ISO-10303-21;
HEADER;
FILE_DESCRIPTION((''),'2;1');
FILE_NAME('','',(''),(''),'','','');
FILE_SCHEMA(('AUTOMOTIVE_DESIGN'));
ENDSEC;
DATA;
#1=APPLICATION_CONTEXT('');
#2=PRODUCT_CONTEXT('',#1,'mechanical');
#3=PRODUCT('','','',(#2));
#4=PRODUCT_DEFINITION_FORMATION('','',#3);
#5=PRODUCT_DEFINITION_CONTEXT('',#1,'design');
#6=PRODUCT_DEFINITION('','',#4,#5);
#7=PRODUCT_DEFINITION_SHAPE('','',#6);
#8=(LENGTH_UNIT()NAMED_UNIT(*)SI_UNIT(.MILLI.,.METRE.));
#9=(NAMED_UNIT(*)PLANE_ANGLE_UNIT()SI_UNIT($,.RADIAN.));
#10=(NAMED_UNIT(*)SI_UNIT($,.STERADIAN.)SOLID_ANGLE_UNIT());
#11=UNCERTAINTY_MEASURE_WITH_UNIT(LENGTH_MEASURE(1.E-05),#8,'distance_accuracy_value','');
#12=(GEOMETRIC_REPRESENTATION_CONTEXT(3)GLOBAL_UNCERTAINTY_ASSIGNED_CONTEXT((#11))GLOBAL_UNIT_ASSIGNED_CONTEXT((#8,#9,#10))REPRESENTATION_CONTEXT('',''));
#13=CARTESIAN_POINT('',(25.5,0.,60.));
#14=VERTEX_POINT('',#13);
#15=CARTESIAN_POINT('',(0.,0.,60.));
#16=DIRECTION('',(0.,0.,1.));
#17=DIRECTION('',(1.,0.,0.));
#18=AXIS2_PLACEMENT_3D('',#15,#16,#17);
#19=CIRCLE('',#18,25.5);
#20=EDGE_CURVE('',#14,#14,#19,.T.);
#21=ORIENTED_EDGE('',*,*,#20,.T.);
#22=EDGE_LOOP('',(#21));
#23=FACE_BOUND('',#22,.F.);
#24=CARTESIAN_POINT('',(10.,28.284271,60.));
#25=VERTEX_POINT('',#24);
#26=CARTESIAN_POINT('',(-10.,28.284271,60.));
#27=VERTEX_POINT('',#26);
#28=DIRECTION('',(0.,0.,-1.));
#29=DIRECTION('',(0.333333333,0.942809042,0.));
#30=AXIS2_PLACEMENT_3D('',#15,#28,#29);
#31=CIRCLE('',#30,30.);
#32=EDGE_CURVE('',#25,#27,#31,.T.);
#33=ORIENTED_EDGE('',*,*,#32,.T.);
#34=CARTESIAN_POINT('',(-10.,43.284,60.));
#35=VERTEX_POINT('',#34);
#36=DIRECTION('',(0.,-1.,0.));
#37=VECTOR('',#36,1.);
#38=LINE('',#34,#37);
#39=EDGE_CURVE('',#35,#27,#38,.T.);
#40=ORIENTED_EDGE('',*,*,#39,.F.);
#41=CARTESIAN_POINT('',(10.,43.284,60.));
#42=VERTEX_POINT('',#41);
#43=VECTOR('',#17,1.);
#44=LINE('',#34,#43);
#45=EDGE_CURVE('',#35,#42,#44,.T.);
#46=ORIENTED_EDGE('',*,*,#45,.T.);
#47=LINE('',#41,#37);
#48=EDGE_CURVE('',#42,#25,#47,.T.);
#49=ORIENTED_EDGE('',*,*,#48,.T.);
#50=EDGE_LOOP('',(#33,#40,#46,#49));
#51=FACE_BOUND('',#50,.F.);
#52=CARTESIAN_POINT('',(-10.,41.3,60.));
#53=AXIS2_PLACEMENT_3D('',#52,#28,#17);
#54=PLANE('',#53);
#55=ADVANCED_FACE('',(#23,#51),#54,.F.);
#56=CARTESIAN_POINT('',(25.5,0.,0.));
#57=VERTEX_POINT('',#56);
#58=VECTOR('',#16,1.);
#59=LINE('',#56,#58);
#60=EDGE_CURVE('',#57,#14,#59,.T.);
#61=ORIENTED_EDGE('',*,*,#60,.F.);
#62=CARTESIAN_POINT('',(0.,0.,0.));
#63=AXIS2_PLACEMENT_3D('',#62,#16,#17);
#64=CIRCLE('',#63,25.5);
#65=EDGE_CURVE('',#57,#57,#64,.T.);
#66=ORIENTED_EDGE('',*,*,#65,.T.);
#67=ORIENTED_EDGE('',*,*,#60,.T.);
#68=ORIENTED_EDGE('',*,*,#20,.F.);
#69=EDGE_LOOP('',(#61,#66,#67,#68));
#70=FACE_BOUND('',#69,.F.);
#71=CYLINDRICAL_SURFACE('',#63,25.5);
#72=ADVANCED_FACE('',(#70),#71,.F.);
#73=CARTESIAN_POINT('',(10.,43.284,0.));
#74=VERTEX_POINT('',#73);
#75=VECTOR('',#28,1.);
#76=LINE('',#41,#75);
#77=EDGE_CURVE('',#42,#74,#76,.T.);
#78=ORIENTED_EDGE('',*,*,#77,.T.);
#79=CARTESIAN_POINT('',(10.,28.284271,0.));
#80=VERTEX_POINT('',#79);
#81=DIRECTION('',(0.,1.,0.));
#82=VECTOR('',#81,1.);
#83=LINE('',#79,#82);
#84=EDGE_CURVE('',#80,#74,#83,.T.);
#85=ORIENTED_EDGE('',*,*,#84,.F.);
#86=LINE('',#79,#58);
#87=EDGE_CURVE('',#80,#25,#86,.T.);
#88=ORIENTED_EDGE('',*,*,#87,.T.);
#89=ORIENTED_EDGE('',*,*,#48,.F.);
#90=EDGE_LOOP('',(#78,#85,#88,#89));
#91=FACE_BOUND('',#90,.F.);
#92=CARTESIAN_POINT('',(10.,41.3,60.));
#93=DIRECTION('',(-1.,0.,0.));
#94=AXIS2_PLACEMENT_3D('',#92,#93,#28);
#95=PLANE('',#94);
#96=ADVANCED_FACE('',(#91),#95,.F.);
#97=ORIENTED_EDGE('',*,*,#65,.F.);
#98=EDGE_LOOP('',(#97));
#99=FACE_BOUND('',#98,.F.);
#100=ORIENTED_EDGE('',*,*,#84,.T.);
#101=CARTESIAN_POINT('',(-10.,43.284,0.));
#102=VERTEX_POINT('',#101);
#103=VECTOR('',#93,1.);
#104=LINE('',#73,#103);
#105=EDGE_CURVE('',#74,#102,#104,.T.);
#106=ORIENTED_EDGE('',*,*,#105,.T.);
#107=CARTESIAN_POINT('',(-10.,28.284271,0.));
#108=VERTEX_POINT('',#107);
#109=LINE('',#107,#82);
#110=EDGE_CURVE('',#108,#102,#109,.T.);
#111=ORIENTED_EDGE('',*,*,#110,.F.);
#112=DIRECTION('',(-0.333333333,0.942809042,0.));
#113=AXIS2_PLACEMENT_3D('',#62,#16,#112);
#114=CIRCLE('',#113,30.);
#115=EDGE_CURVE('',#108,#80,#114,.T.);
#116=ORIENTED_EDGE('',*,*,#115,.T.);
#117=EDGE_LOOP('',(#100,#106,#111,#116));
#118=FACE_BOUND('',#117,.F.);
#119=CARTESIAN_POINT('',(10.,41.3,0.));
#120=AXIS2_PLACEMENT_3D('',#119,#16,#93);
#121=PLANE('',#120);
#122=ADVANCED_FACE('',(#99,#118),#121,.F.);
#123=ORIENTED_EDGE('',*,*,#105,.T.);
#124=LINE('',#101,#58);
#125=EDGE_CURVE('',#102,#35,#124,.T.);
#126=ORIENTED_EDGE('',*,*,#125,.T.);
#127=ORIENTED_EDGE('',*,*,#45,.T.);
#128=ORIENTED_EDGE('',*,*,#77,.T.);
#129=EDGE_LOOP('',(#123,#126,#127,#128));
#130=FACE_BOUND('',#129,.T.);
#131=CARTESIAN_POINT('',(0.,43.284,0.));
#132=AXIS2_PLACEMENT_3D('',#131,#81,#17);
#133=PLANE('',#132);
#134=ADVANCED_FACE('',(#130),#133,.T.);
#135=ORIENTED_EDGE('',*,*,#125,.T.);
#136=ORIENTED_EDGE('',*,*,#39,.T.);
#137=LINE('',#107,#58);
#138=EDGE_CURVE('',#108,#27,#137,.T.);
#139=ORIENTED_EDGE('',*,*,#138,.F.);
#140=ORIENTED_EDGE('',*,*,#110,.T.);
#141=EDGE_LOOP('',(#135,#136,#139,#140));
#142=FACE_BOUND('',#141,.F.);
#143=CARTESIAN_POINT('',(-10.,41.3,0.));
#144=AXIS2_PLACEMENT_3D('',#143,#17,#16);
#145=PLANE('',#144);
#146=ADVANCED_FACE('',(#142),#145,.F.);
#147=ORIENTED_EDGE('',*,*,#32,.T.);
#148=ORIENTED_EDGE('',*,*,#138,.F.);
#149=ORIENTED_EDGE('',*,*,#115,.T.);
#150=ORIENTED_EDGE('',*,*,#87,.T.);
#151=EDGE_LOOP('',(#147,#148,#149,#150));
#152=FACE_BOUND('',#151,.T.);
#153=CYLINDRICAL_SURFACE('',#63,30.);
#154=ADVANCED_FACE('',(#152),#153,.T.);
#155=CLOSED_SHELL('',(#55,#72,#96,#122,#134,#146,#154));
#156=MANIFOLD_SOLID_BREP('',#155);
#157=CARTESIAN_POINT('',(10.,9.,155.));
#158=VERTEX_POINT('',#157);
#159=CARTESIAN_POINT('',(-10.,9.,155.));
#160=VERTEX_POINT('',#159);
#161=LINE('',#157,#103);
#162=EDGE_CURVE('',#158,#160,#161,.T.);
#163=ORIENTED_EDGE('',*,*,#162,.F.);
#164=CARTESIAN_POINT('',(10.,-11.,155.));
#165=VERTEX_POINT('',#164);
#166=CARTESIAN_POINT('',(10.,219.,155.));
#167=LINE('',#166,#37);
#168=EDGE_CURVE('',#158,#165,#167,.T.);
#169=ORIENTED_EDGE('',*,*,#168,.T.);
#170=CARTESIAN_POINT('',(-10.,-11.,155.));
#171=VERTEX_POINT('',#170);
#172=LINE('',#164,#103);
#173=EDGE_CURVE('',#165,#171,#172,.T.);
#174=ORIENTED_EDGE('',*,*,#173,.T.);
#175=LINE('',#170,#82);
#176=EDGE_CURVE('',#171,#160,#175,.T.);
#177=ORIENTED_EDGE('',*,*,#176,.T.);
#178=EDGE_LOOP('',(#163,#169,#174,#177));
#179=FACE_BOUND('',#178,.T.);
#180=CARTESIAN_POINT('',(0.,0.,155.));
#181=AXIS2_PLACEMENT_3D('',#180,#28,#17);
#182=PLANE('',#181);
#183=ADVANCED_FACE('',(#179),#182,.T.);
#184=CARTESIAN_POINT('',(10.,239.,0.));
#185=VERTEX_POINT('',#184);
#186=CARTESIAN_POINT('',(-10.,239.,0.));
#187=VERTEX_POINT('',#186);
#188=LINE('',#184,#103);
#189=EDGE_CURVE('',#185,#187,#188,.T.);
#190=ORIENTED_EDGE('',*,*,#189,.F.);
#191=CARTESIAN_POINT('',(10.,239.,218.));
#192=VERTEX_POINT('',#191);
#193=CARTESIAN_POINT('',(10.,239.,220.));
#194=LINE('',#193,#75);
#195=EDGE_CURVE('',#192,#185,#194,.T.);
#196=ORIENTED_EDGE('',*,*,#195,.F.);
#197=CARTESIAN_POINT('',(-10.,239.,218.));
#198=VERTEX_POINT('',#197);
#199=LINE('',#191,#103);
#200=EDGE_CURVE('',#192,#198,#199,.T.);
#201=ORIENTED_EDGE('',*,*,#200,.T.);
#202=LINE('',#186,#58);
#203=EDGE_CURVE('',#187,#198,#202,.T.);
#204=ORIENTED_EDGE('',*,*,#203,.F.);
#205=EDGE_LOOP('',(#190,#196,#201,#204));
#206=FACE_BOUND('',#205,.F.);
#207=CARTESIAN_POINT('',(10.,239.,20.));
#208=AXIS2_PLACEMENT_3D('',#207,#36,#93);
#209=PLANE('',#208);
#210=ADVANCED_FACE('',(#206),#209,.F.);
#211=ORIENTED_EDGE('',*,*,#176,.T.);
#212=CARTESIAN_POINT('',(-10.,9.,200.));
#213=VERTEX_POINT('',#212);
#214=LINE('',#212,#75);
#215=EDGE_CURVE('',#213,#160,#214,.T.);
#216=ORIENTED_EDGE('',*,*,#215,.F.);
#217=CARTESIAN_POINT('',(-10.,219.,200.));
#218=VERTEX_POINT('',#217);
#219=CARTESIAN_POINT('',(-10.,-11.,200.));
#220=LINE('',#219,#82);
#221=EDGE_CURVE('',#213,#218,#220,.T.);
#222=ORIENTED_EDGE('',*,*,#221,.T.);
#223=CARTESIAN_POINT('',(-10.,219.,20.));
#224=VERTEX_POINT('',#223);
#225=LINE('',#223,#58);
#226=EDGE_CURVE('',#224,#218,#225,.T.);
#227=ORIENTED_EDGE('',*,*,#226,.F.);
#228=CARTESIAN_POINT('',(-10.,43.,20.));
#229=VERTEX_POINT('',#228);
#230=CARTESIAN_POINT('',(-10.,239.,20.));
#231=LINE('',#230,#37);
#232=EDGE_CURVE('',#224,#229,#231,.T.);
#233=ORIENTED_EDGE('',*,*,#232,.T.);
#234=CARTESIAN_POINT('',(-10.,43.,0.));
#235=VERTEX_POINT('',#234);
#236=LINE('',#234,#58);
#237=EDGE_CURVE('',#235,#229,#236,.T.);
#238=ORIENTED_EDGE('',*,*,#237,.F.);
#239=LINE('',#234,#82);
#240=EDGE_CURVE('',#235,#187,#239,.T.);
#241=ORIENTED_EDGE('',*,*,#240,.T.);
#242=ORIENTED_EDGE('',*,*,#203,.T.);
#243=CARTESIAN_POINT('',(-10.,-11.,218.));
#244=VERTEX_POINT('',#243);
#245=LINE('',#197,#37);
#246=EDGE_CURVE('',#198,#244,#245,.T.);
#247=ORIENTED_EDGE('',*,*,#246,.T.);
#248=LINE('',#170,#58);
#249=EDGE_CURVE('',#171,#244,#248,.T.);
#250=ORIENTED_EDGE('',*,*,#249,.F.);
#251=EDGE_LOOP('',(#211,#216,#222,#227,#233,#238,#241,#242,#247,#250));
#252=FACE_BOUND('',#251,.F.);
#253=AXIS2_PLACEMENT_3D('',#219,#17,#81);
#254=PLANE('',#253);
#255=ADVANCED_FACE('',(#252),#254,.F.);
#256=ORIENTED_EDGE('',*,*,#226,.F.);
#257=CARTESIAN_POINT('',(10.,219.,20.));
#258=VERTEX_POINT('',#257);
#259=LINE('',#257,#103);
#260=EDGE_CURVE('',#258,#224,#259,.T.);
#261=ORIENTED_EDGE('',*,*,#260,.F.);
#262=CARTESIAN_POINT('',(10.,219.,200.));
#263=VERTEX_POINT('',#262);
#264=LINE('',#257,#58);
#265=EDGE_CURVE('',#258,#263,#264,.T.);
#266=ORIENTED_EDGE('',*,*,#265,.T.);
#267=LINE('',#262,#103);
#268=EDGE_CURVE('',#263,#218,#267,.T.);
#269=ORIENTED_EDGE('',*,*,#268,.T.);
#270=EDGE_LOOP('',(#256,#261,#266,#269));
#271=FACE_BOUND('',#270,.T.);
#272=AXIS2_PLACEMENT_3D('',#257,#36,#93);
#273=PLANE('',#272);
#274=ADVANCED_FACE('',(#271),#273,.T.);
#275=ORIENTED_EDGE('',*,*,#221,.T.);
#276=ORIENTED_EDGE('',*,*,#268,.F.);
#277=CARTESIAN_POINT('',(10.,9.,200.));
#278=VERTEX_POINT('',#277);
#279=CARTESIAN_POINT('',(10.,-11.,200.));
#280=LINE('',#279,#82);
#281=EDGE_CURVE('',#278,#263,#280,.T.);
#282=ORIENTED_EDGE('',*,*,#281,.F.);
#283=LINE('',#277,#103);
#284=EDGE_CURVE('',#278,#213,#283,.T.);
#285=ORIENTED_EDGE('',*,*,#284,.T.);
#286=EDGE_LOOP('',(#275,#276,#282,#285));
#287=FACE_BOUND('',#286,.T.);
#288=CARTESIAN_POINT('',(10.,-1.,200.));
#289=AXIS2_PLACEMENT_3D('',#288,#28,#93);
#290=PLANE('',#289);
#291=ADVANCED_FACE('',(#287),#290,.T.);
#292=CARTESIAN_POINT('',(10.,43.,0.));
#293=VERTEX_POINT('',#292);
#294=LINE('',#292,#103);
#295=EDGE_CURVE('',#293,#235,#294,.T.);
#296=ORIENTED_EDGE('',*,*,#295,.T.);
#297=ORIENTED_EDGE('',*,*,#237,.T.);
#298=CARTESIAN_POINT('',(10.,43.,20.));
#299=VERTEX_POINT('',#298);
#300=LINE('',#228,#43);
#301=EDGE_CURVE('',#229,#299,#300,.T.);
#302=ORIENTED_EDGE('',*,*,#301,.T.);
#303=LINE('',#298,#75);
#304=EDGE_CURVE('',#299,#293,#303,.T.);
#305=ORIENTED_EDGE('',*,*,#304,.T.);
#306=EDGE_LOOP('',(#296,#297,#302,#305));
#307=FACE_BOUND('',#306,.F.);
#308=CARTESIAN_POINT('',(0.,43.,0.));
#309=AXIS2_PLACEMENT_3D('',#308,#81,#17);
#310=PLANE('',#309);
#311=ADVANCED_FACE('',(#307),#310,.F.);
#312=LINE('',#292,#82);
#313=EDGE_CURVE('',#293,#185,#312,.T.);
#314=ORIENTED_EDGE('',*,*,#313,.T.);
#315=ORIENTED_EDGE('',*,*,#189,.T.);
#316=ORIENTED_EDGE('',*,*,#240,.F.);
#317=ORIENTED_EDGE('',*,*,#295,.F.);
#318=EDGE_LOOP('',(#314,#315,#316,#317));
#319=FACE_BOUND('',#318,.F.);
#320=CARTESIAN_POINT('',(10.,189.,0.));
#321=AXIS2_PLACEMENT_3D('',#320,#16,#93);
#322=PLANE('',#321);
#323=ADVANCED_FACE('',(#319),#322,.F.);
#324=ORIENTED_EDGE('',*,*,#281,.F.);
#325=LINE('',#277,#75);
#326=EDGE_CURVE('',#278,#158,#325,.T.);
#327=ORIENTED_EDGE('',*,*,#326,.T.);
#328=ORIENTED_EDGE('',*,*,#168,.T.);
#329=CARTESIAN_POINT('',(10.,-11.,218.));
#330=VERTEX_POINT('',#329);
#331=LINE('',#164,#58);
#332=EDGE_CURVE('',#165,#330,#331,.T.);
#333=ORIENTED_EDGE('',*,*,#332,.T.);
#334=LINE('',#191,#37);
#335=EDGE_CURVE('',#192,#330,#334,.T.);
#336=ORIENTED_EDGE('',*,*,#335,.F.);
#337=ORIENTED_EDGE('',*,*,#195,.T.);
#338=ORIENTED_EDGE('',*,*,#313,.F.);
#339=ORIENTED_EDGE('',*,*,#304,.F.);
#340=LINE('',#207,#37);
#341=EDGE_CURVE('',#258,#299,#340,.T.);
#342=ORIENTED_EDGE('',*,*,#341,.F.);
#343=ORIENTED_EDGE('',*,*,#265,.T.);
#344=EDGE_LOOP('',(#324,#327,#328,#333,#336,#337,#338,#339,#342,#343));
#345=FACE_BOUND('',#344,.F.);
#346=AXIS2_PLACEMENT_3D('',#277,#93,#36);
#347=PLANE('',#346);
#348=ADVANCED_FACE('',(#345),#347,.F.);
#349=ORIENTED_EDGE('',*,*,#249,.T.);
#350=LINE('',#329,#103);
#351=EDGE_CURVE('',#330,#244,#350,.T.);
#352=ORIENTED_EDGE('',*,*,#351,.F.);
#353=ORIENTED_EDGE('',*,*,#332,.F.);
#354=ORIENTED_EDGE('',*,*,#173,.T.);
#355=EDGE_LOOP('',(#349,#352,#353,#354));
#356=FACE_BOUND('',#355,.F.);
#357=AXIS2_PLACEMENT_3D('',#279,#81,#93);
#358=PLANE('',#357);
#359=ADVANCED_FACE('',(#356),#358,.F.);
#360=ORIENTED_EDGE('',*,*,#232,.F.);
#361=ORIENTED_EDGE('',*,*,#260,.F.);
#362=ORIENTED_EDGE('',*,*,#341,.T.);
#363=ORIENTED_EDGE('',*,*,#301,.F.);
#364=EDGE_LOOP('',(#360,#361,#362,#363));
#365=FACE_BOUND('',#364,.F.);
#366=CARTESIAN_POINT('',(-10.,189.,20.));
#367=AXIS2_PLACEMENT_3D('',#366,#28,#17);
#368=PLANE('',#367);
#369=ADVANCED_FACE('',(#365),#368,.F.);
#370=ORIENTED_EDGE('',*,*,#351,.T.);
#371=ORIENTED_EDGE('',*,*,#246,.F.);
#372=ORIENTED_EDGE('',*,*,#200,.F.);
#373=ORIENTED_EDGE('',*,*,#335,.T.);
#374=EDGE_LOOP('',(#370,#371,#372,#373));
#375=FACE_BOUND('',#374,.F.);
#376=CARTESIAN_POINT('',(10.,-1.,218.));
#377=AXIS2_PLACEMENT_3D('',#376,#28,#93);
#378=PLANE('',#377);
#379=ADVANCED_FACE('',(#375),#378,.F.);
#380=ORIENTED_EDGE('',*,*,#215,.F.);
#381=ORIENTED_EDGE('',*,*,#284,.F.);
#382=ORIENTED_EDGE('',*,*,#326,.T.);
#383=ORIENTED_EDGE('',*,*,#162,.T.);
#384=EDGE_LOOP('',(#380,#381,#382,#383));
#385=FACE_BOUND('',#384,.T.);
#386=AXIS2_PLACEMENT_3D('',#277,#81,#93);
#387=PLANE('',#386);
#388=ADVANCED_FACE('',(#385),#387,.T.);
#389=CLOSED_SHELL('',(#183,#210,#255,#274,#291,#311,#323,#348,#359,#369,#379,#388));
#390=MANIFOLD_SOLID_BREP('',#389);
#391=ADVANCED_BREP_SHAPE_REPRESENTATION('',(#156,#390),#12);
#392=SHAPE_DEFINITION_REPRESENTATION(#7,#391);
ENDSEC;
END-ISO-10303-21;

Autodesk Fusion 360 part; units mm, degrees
cylinder "CylinderPrimitive1" add diameter 60 height 60 placed x (1, 0, 0) y (0, 1, 0) z (0, 0, 1) at (0, 0, 0) makes body 1
shell "Shell1" thickness 4.5 removed faces 1 at (7.6631, 11.2397, 60) on bodies 1
extrude "Extrude1" cut 1 faces at (5.0863, -5.2303, 4.5) along direction (0, 0, -1) blind 30 on bodies 1 bodies 1
ref_plane "WorkPlane1" through (0, 31, 0) normal (0, 1, 0) x (0, 0, 1)
sketch "Sketch2" plane through (0, 31, 0) normal (0, 1, 0) x (1, 0, 0)
  line L0 (10, 0) -> (-10, 0)
  line L1 (-10, 0) -> (-10, -60)
  line L2 (-10, -60) -> (10, -60)
  line L3 (10, -60) -> (10, 0)
extrude "Extrude2" add sketch "Sketch2" along normal blind 5 and the other way blind 5 bodies 1
extrude "Extrude3" add 1 faces at (-3.3333, 36, 20) along direction (0, 1, 0) blind 5.3 on bodies 1 bodies 1
extrude "Extrude4" add 1 faces at (-3.3333, 41.3, 20) along direction (0, 1, 0) blind 1.984 on bodies 1 bodies 1
sketch "Sketch3" plane through (0, 0, 0) normal (0, 1, 0) x (1, 0, 0)
ref_plane "WorkPlane2" through (0, 44, 0) normal (0, 1, 0) x (0, 0, 1)
sketch "Sketch4" plane through (0, 44, 0) normal (0, 1, 0) x (1, 0, 0)
  line L0 (10, 0) -> (-10, 0)
  line L1 (-10, 0) -> (-10, -20)
  line L2 (-10, -20) -> (10, -20)
  line L3 (10, -20) -> (10, 0)
  dimension "d17" = 20
extrude "Extrude1'" add sketch "Sketch4" along normal blind 55 and the other way blind 1 separate body makes body 2 in component "Component"
extrude "Extrude2'" add 1 faces at (-3.3333, 99, 6.6667) along direction (0, 1, 0) blind 150 on bodies 2 bodies 2 in component "Component"
extrude "Extrude3'" cut 1 faces at (-3.3333, 249, 6.6667) along direction (0, -1, 0) blind 50 on bodies 2 bodies 2 in component "Component"
extrude "Extrude4'" cut 1 faces at (-3.3333, 199, 6.6667) along direction (0, -1, 0) blind 10 on bodies 2 bodies 2 in component "Component"
extrude "Extrude5" add 1 faces at (-3.3333, 189, 6.6667) along direction (0, 1, 0) blind 50 on bodies 2 bodies 2 in component "Component"
sketch "Sketch5" plane through (0, 0, 20) normal (0, 0, 1) x (-1, 0, 0)
  line L0 (10, -239) -> (10, -43)
  line L1 (10, -43) -> (-10, -43)
  line L2 (-10, -43) -> (-10, -239)
  line L3 (-10, -239) -> (10, -239)
  line L4 (10, -239) -> (-10, -239)
  line L5 (-10, -239) -> (-10, -219)
  line L6 (-10, -219) -> (10, -219)
  line L7 (10, -219) -> (10, -239)
  dimension "d30" = 20
extrude "Extrude6" add sketch "Sketch5" along normal blind 200 contours L0 L2 L3 L4 L5 L6 L7 bodies 2 in component "Component"
extrude "Extrude7" cut 1 faces at (-3.3333, 232.3333, 220) along direction (0, 0, -1) blind 2 on bodies 2 bodies 2 in component "Component"
sketch "Sketch6" plane through (0, 219, 0) normal (0, -1, 0) x (1, 0, 0)
  line L0 (10, 218) -> (-10, 218)
  line L1 (-10, 218) -> (-10, 20)
  line L2 (-10, 20) -> (10, 20)
  line L3 (10, 20) -> (10, 218)
  line L4 (-10, 218) -> (10, 218)
  line L5 (10, 218) -> (10, 200)
  line L6 (10, 200) -> (-10, 200)
  line L7 (-10, 200) -> (-10, 218)
extrude "Extrude8" add sketch "Sketch6" along normal blind 220 contours L0 L1 L3 L4 L5 L6 L7 bodies 2 in component "Component"
extrude "Extrude9" add 1 faces at (3.3333, -1, 212) along direction (0, -1, 0) blind 10 on bodies 2 bodies 2 in component "Component"
sketch "Sketch7" plane through (0, 0, 200) normal (0, 0, -1) x (1, 0, 0)
  line L0 (-10, -219) -> (10, -219)
  line L1 (10, -219) -> (10, 11)
  line L2 (10, 11) -> (-10, 11)
  line L3 (-10, 11) -> (-10, -219)
  line L4 (-10, 11) -> (10, 11)
  line L5 (10, 11) -> (10, -9)
  line L6 (10, -9) -> (-10, -9)
  line L7 (-10, -9) -> (-10, 11)
  dimension "d39" = 20
extrude "Extrude10" add sketch "Sketch7" along normal blind 45 contours L1 L2 L3 L4 L5 L6 L7 bodies 2 in component "Component"
component "Component" placed x (1, 0, 0) y (0, 1, 0) z (0, 0, 1) at (0, 0, 0)
